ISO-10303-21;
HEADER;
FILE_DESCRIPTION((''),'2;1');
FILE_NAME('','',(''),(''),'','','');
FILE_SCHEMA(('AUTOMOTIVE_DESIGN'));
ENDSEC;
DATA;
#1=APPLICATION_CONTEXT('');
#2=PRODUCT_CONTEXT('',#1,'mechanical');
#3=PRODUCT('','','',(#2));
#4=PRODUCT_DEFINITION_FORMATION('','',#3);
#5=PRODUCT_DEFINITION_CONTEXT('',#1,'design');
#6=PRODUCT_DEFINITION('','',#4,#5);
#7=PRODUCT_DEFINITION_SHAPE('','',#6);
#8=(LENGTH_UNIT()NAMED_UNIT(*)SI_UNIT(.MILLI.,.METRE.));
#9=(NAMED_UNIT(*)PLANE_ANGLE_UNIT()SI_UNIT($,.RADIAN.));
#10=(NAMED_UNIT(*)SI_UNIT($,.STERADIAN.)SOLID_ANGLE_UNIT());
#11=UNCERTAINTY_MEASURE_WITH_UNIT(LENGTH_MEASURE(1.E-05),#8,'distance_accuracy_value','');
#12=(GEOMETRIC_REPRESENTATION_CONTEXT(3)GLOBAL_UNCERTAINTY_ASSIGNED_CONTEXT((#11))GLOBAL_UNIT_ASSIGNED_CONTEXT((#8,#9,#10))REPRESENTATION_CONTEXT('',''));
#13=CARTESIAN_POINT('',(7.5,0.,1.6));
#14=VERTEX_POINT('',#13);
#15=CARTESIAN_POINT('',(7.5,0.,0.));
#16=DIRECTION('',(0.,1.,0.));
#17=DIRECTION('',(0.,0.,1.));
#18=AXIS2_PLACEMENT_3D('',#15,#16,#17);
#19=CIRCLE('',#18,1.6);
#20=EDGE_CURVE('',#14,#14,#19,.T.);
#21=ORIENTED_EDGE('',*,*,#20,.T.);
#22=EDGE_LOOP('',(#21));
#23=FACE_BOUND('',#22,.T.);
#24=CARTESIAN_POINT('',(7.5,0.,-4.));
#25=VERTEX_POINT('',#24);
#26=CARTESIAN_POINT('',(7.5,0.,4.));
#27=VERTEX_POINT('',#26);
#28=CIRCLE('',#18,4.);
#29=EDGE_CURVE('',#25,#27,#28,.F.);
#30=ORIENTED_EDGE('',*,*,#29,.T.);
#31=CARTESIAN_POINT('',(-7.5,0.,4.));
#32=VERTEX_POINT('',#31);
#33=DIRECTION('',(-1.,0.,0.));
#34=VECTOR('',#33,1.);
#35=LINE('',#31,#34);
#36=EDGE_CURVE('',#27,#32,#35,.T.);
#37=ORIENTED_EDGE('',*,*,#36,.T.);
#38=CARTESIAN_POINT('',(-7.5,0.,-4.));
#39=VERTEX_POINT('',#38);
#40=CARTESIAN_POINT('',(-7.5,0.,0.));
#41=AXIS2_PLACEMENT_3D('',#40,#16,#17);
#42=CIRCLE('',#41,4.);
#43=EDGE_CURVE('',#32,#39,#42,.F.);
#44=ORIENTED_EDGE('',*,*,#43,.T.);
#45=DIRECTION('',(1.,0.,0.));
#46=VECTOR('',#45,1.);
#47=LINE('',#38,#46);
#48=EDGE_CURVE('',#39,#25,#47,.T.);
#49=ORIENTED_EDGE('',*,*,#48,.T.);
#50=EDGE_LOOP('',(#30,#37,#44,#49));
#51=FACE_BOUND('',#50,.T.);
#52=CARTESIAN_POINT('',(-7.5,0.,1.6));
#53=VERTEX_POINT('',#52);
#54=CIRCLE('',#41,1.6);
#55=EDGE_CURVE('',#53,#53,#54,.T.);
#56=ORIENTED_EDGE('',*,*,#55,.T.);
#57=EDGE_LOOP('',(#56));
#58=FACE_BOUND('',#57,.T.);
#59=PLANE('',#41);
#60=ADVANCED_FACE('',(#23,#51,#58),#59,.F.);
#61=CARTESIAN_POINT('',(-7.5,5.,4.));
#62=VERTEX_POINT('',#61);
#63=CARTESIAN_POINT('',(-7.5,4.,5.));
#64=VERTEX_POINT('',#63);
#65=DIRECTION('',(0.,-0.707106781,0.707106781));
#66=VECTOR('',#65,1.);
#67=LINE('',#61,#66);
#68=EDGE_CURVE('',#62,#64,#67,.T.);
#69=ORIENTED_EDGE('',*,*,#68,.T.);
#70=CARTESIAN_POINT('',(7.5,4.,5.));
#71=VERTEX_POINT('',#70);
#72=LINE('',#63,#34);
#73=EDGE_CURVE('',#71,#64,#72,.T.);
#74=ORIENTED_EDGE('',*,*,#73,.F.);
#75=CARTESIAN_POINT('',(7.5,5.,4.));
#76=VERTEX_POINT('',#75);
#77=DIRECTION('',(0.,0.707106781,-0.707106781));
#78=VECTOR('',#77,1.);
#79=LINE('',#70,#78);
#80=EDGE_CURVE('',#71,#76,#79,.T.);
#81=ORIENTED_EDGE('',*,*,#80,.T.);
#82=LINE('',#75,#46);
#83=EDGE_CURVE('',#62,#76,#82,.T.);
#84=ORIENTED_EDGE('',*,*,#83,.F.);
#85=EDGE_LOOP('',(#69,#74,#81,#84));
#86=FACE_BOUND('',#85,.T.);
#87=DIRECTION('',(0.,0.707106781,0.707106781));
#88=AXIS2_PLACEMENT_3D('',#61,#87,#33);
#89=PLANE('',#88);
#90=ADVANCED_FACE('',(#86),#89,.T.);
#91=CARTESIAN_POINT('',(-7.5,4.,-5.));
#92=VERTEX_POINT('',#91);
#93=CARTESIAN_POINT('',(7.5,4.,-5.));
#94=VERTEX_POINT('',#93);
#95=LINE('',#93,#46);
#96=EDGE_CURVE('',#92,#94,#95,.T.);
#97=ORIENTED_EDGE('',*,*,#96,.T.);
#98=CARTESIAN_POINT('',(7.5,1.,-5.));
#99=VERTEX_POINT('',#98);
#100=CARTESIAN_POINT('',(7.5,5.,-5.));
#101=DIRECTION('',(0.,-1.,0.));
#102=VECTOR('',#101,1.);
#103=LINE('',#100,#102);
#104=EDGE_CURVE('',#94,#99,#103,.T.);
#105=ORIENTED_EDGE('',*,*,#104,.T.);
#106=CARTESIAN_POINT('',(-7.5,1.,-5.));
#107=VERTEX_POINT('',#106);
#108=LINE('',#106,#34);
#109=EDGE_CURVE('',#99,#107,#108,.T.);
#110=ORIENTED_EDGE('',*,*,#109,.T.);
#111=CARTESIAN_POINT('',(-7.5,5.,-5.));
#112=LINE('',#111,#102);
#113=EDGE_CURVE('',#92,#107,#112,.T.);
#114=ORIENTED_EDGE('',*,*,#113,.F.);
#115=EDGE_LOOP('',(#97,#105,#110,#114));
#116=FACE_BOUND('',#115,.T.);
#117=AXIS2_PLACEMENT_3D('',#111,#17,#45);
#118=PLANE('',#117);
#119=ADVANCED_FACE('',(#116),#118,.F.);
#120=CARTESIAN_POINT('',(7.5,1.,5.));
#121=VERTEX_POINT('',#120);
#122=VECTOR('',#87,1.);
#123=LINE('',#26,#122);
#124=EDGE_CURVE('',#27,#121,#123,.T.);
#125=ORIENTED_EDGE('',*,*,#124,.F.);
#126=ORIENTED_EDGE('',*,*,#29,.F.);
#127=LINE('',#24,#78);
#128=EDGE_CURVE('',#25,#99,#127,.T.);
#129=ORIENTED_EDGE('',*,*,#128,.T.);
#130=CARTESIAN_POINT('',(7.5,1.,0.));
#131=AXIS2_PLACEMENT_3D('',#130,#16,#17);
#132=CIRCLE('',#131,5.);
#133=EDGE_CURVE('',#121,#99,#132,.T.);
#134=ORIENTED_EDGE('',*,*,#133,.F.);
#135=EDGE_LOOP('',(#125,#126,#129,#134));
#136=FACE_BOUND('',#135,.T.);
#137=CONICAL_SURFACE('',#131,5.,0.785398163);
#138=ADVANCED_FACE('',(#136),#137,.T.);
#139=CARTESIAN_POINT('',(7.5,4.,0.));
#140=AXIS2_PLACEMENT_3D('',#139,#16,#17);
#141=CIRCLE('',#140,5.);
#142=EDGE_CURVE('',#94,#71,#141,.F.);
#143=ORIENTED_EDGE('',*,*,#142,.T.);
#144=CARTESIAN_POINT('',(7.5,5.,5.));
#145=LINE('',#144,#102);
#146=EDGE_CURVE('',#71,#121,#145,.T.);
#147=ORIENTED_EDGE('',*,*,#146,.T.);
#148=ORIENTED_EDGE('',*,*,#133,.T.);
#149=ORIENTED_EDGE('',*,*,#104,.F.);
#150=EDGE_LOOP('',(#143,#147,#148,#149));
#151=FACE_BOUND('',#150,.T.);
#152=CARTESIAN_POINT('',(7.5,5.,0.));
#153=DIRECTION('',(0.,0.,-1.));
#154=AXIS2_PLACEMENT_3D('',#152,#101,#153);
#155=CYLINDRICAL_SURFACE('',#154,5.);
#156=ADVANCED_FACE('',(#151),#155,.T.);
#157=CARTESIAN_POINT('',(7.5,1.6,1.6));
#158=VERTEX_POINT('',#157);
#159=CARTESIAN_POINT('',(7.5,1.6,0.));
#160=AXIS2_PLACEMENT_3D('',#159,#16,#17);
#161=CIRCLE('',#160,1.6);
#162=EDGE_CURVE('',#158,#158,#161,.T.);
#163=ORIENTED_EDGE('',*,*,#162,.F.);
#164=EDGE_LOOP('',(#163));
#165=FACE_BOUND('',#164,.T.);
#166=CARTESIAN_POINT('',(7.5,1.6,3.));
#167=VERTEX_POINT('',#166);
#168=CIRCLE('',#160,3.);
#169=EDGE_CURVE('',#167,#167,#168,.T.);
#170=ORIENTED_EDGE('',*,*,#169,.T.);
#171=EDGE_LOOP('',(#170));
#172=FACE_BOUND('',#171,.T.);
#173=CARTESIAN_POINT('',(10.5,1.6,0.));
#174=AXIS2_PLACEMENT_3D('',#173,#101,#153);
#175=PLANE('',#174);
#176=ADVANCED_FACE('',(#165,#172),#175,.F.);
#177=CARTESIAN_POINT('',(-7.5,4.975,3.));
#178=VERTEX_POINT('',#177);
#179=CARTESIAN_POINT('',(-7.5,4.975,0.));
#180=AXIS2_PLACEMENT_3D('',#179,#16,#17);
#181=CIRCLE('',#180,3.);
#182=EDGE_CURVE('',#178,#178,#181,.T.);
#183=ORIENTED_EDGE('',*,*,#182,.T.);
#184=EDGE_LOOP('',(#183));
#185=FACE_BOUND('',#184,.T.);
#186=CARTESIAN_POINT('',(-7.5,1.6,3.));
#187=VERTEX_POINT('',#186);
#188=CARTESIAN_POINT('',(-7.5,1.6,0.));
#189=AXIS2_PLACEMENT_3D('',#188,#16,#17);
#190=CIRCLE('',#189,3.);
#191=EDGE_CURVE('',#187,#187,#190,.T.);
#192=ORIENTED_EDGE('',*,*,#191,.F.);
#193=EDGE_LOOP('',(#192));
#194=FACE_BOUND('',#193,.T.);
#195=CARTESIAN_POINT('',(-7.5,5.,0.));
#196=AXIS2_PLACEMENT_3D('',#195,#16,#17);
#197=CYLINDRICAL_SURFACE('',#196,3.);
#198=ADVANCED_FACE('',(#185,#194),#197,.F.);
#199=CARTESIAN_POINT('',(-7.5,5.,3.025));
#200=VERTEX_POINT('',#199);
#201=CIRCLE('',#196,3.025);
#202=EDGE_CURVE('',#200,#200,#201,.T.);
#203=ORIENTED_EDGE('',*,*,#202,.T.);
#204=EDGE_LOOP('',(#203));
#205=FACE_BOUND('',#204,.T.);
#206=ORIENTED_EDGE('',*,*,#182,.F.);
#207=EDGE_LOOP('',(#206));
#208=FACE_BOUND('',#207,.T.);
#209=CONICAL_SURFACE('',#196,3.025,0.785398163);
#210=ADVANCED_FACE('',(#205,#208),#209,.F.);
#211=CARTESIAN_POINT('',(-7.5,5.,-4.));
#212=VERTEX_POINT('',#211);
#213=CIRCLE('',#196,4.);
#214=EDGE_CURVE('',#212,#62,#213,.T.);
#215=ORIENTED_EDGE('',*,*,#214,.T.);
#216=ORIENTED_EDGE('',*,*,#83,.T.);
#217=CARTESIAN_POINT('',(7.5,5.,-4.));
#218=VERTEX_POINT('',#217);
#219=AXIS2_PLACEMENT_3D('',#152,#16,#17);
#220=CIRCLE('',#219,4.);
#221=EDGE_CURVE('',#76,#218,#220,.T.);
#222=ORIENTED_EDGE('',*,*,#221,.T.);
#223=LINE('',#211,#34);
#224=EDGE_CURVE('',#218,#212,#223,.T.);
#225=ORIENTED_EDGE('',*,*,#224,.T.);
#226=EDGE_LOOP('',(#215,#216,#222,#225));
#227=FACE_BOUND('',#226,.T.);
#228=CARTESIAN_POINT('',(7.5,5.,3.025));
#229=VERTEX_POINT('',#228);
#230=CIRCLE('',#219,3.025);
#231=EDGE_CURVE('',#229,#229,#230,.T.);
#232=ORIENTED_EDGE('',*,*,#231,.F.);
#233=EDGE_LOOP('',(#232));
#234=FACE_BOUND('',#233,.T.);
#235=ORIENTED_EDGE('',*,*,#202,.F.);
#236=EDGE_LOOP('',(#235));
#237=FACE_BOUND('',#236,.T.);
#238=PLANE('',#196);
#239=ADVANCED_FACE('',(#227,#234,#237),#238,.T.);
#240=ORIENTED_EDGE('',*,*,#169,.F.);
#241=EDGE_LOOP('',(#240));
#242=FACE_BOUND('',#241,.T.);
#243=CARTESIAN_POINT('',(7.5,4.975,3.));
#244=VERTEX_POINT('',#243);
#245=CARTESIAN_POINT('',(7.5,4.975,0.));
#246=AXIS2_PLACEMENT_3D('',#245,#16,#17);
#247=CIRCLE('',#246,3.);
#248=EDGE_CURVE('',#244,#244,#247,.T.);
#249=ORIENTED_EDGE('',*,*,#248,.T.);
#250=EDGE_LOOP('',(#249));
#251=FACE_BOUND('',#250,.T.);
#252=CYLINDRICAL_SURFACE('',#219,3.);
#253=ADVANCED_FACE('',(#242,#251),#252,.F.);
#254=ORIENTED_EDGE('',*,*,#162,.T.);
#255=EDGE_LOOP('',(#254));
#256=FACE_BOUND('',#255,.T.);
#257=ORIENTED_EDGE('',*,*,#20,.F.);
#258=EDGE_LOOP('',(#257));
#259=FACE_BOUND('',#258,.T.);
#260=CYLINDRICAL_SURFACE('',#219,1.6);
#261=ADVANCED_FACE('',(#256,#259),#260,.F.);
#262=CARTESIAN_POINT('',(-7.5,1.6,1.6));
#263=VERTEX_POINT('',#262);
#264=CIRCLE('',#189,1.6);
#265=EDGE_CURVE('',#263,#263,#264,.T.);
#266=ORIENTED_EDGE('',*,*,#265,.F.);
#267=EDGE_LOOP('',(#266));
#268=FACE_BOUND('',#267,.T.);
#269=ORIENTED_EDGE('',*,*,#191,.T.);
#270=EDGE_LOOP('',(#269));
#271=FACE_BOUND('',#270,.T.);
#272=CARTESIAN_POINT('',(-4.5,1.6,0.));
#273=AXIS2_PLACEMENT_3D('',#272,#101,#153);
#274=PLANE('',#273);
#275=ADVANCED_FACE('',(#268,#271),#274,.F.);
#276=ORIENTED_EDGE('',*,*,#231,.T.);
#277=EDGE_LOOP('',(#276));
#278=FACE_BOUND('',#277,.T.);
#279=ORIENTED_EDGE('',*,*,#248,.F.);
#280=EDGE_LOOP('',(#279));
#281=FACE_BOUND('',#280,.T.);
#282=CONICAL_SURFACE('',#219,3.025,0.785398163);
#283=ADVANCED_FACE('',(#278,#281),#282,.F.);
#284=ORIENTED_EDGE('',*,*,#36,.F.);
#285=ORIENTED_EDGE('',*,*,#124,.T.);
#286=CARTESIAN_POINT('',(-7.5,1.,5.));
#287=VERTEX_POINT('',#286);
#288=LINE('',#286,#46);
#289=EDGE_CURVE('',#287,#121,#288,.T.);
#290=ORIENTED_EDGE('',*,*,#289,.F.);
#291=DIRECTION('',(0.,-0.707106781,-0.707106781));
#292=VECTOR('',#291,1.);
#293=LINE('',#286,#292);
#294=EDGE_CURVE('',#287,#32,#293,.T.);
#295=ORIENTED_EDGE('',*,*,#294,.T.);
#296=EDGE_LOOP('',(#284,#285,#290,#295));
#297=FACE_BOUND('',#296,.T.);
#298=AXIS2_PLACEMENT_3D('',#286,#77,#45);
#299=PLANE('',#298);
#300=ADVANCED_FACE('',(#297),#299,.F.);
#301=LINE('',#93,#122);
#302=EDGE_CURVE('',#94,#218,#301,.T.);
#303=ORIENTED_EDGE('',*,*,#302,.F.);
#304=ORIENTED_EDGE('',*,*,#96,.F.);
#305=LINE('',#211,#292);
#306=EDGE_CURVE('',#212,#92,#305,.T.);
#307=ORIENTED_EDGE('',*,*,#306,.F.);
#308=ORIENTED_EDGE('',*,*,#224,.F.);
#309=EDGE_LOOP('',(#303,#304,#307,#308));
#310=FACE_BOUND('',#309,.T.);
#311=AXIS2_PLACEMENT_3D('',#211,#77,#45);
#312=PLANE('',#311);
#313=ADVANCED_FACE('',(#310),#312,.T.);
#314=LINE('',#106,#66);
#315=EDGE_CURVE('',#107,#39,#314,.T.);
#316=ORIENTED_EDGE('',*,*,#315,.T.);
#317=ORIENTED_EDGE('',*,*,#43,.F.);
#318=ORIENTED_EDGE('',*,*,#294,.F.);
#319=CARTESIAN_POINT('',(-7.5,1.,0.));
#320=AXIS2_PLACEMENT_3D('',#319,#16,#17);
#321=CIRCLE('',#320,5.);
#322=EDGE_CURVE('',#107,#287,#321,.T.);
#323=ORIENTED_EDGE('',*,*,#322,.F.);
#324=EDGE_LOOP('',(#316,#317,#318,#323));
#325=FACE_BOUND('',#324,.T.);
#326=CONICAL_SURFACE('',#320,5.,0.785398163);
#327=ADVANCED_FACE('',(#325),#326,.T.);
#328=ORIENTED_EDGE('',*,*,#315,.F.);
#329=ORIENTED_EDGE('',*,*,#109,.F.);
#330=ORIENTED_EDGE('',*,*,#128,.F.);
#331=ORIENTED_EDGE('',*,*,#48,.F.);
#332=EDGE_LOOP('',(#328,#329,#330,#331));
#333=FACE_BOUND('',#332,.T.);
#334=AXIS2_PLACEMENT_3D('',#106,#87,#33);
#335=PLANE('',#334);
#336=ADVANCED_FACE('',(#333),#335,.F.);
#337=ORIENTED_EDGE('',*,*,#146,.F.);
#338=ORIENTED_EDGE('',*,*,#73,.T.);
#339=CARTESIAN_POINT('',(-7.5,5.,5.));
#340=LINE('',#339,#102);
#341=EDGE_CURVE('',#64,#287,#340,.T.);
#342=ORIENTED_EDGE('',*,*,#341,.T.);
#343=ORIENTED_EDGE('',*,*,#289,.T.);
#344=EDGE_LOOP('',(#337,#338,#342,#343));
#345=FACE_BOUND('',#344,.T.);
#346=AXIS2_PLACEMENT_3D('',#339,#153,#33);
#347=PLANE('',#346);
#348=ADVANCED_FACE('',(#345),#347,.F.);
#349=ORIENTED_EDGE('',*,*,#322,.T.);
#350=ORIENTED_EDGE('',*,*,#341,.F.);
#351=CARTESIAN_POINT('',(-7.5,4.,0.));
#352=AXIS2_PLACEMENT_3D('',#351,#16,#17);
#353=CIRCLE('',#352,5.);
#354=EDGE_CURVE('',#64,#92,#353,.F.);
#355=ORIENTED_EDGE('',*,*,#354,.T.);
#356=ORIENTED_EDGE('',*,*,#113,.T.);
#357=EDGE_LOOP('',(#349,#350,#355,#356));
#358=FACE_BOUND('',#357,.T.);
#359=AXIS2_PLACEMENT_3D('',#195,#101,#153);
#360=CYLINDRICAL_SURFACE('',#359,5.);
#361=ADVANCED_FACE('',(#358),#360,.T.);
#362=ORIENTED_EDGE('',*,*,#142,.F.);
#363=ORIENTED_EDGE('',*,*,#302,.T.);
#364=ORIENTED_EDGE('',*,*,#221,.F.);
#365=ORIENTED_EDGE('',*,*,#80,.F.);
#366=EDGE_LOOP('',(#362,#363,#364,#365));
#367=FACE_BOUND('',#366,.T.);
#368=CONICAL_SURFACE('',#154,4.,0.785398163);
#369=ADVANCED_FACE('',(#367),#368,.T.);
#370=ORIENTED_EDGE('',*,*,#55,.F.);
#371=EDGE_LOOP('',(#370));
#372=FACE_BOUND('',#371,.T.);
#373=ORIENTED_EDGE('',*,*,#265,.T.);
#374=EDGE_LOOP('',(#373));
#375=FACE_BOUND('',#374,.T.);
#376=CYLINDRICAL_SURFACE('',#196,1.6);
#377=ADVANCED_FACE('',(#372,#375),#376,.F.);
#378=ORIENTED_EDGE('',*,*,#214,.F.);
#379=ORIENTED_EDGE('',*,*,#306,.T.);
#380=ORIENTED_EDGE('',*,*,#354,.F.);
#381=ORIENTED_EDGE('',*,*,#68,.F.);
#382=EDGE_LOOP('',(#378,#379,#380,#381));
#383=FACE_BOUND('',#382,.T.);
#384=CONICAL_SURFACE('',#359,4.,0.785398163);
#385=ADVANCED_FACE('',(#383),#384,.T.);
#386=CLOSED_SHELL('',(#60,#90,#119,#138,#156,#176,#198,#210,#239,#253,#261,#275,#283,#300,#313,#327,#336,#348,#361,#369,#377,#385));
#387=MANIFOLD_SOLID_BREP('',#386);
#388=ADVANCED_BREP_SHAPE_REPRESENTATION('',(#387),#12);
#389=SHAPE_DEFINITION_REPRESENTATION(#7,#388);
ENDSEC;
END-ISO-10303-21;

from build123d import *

# Parameters (mm, degrees)
BOSS_EXTRUDE1_DEPTH                          = 5
CBORE_FOR_M3_HEXAGON_SOCKET_HEAD_CAP_2_COUNT = 2
CBORE_FOR_M3_HEXAGON_SOCKET_HEAD_CAP_2_PITCH = 15
CHAMFER1_SIZE                                = 1


with BuildPart() as part:
    # Sketch1 → Boss-Extrude1 (new body)
    with BuildSketch(Plane(origin=(0, 0, 0), x_dir=(1, 0, 0), z_dir=(0, 1, 0))):
        with BuildLine():
            Line((-7.5, 5), (7.5, 5))
            ThreePointArc((7.5, 5), (12.5, 0), (7.5, -5))
            Line((7.5, -5), (-7.5, -5))
            ThreePointArc((-7.5, -5), (-12.5, 0), (-7.5, 5))
        make_face()
    extrude(amount=BOSS_EXTRUDE1_DEPTH)

    # Sketch3 → CBORE for M3 Hexagon socket head cap screws1 (revolve, cut)
    with BuildSketch(Plane(origin=(-7.5, 5, 0), x_dir=(0, 0, 1), z_dir=(1, 0, 0))):
        Polygon((0, 0), (0, 5), (1.6, 5), (1.6, 3.4), (3, 3.4), (3, 0.025), (3.025, 0), align=None)
    cbore_for_m3_hexagon_socket_head_cap_scr = revolve(axis=Axis((-7.5, 11.35, 0), (0, -1, 0)), mode=Mode.SUBTRACT)

    # CBORE for M3 Hexagon socket head cap 2: CBORE for M3 Hexagon socket head cap screws1 ×2
    with Locations(*[(i * CBORE_FOR_M3_HEXAGON_SOCKET_HEAD_CAP_2_PITCH, 0, 0) for i in range(1, CBORE_FOR_M3_HEXAGON_SOCKET_HEAD_CAP_2_COUNT)]):
        add(cbore_for_m3_hexagon_socket_head_cap_scr, mode=Mode.SUBTRACT)

    # Chamfer1
    chamfer1_edges = [part.edges().sort_by_distance(p)[0] for p in [
        (12.5, 5, 0),
        (0, 5, -5),
        (-12.5, 5, 0),
        (0, 0, -5),
        (12.5, 0, 0),
        (0, 0, 5),
        (-12.5, 0, 0),
        (0, 5, 5),
    ]]
    chamfer(chamfer1_edges, length=CHAMFER1_SIZE)


solid = part.part
